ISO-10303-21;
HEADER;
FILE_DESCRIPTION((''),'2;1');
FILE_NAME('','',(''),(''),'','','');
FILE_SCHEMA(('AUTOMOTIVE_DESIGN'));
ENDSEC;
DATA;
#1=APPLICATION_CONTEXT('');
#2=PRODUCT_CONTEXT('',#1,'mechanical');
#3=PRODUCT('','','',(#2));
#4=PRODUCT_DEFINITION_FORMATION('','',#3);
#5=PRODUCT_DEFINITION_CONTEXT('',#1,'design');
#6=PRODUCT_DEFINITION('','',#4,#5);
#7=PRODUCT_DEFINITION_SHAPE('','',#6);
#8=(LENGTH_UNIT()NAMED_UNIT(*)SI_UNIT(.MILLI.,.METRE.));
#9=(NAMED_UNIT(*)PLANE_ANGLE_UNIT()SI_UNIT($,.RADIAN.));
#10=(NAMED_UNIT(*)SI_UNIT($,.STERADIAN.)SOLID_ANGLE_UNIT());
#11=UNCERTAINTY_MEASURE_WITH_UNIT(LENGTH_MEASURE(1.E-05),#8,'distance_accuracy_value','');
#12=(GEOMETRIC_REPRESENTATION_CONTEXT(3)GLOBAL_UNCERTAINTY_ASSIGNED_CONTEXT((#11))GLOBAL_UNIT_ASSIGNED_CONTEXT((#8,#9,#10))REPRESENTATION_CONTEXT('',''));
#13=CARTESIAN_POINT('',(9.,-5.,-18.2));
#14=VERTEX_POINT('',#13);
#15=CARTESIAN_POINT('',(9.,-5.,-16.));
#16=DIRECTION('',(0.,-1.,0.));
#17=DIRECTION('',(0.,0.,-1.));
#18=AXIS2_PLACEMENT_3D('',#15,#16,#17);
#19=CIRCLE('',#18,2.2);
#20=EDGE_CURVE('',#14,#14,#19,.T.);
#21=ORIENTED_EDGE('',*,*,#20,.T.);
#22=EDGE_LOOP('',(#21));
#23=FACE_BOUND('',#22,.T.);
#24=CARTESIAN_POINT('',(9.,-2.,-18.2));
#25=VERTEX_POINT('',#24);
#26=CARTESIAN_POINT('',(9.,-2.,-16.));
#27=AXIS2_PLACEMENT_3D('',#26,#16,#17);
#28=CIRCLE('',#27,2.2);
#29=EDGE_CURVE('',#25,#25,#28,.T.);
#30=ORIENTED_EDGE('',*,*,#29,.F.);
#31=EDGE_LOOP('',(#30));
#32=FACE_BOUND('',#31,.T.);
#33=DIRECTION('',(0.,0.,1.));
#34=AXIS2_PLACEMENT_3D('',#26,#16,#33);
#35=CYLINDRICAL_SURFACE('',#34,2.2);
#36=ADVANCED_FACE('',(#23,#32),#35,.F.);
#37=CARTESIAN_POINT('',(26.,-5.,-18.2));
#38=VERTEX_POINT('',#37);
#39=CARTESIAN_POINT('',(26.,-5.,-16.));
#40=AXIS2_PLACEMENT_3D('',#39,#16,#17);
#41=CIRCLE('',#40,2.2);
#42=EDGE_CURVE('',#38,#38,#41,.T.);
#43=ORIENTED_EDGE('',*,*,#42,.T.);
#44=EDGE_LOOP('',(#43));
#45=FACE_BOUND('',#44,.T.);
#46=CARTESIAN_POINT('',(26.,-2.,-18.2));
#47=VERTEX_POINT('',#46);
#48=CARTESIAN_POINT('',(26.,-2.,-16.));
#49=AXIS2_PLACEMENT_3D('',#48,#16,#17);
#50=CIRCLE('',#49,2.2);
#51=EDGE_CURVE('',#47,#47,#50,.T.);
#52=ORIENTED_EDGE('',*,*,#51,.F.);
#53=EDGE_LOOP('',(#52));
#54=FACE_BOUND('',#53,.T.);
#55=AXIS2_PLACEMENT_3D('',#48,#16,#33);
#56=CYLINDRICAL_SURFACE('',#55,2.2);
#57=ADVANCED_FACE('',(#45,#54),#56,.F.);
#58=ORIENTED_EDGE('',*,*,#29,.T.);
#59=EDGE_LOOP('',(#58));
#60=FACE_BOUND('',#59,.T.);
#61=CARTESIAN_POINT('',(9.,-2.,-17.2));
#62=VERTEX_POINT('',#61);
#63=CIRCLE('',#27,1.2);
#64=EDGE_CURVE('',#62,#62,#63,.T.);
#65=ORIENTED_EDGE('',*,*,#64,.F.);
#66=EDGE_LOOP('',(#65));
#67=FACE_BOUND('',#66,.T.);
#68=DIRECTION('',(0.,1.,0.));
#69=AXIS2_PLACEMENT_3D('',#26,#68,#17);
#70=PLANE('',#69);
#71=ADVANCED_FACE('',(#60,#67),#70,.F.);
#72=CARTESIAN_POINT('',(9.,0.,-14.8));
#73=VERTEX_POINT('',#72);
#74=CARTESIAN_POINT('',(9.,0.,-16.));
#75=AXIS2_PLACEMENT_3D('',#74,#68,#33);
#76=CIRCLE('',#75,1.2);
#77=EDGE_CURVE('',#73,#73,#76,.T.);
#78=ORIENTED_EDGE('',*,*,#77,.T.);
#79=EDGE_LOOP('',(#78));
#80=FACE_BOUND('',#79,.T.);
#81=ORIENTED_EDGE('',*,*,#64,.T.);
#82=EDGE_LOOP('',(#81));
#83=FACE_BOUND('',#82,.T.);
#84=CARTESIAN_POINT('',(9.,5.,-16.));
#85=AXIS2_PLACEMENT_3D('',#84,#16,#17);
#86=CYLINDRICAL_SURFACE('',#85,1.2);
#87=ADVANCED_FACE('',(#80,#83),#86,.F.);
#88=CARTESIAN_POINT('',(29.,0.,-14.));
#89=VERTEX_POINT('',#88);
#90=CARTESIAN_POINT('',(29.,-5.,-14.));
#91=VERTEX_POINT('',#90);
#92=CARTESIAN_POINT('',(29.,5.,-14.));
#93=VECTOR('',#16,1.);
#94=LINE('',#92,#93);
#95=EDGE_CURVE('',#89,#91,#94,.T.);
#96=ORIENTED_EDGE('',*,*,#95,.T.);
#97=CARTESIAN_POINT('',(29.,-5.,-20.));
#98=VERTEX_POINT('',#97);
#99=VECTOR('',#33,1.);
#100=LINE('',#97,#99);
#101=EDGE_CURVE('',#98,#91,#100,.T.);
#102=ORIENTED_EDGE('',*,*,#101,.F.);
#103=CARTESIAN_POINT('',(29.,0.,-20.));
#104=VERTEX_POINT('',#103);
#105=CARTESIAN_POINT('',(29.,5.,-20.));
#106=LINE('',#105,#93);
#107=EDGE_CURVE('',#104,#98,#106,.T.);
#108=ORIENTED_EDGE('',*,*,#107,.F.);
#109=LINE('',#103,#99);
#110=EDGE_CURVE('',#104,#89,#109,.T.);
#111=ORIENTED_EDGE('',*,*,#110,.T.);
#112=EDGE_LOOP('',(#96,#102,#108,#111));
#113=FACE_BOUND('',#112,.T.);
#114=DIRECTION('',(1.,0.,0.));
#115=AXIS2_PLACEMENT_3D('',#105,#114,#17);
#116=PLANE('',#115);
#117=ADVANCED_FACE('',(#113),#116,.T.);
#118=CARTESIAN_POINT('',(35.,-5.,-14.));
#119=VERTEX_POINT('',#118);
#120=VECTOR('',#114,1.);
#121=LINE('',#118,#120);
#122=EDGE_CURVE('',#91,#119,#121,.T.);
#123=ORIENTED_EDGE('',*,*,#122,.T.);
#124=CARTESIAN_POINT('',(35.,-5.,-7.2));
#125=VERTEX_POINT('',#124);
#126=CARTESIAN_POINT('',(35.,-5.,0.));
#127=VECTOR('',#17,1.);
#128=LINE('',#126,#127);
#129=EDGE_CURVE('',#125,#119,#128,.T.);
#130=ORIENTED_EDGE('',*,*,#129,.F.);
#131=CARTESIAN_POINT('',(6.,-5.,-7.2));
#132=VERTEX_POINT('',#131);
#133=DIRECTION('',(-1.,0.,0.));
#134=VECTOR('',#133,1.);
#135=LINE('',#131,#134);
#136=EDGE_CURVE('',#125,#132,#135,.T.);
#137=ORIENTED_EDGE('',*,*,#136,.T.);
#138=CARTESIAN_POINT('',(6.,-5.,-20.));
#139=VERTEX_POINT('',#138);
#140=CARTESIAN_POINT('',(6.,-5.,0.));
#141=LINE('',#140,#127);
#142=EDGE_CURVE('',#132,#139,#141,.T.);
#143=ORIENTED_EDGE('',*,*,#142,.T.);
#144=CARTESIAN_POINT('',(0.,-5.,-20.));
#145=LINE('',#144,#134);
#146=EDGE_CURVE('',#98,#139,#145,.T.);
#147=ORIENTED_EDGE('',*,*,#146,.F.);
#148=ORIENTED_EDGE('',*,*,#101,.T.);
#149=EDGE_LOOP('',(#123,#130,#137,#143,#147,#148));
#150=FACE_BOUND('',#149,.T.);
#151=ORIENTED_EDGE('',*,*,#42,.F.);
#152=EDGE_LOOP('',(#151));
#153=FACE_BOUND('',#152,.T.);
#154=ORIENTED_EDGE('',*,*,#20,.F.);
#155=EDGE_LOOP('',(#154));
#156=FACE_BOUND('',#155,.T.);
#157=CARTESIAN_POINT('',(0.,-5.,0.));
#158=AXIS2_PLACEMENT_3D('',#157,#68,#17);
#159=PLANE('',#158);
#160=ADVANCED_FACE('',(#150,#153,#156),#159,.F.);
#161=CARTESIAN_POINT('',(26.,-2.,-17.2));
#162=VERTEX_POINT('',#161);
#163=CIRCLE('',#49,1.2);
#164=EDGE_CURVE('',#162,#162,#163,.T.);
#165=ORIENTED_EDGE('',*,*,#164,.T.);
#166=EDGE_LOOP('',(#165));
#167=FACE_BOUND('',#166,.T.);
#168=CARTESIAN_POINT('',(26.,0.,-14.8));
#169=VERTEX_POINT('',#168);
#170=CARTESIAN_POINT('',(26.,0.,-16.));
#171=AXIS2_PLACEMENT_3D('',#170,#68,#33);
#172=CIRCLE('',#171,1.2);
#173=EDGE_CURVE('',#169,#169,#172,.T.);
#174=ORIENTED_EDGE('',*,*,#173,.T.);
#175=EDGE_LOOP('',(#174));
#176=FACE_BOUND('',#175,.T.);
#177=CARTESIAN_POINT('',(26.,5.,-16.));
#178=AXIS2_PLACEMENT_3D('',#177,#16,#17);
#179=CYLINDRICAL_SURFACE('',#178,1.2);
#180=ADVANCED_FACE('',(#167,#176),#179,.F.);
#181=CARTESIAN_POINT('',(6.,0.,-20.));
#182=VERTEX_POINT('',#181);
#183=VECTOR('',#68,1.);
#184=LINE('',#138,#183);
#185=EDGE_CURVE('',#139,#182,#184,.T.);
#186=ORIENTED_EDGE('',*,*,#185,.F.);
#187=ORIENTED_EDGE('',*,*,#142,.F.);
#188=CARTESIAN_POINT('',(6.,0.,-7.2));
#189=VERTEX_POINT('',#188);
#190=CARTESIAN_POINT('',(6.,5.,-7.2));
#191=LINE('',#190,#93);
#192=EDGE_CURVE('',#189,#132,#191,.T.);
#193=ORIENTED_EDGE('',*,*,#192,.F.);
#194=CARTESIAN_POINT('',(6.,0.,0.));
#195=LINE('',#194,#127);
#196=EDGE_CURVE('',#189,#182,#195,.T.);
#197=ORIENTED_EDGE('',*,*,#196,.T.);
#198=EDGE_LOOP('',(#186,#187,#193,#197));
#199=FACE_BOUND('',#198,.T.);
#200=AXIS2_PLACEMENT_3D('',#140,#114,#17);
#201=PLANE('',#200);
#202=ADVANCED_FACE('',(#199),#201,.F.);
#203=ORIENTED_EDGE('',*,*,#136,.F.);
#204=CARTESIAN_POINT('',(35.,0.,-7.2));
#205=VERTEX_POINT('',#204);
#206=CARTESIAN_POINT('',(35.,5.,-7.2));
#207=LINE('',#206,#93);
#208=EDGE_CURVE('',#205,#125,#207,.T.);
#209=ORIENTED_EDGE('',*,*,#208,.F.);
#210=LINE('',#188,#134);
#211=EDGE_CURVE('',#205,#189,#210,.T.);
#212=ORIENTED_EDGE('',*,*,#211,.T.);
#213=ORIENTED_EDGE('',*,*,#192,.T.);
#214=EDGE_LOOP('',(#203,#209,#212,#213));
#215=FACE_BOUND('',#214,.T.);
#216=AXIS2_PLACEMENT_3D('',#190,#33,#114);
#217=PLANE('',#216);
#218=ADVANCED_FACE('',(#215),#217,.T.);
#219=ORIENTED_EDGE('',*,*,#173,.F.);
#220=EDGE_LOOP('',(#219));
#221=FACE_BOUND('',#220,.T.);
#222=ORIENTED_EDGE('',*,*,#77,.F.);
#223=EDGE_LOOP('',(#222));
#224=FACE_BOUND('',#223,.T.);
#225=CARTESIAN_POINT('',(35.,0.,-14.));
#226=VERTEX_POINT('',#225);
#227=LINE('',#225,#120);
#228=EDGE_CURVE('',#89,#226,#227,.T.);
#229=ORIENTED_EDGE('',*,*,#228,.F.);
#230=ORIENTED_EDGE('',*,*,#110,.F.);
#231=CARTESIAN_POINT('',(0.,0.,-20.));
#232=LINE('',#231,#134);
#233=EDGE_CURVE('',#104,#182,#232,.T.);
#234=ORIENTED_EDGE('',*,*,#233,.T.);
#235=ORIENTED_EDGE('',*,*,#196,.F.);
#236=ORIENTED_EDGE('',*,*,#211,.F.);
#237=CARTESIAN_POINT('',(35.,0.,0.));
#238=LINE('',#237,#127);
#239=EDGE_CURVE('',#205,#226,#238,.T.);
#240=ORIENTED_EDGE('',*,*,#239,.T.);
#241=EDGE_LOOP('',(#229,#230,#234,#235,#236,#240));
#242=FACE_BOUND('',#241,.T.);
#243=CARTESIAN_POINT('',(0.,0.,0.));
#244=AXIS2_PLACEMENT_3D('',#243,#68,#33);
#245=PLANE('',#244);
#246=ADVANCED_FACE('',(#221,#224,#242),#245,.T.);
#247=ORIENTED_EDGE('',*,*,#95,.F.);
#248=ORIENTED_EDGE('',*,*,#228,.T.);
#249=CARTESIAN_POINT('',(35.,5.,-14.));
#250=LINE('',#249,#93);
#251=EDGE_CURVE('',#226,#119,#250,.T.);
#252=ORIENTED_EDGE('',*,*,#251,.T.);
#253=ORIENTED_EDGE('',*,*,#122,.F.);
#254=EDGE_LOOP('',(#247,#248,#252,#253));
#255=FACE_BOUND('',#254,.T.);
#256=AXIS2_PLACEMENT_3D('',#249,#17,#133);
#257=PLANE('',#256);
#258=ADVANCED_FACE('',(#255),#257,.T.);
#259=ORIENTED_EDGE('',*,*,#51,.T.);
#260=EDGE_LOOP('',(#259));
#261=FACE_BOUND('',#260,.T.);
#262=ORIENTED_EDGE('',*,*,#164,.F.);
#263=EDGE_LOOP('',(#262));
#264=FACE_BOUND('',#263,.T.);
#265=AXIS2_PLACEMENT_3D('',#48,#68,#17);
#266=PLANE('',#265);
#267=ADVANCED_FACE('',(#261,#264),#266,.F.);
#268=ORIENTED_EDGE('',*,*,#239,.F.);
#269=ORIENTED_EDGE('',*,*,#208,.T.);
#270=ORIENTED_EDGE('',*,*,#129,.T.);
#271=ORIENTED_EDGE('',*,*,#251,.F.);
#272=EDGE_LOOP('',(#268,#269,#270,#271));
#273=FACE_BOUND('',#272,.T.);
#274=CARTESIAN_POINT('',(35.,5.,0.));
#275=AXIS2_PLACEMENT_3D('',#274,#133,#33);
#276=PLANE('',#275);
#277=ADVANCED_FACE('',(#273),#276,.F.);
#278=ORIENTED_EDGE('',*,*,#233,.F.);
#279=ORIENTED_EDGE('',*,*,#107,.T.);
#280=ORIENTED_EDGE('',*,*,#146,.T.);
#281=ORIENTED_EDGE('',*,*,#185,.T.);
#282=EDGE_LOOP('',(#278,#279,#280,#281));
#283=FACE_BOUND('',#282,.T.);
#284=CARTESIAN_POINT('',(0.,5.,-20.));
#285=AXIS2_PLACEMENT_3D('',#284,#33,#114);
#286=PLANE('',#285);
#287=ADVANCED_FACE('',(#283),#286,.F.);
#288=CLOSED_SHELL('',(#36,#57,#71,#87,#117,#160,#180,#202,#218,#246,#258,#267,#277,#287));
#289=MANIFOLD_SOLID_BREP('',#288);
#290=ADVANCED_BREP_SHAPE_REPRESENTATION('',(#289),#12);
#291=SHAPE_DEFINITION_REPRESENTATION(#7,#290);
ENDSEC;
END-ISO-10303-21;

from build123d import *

# Parameters (mm, degrees)
SKETCH_1_W           = 35
SKETCH_1_H           = 20
EXTRUDE_1_DEPTH      = 5
SKETCH_3_W           = 29
SKETCH_3_H           = 7.2
CUT_EXTRUDE_4_DEPTH  = 5
SKETCH_4_W           = 6
SKETCH_4_H           = 6
CUT_EXTRUDE_5_DEPTH  = 5
SKETCH_5_R           = 1.2
CUT_EXTRUDE_6_DEPTH  = 41.620192023
SKETCH_6_R           = 2.2
CUT_EXTRUDE_7_DEPTH  = 2
CUT_EXTRUDE_START    = 5
SKETCH_7_R           = 2.2
CUT_EXTRUDE_8_DEPTH  = 3
SKETCH_8_W           = 40.267995894
SKETCH_8_H           = 24.754572762
CUT_EXTRUDE_9_DEPTH  = 41.620192023
SKETCH_11_W          = 6
SKETCH_11_H          = 20
CUT_EXTRUDE_11_DEPTH = 41.620192023


with BuildPart() as part:
    # 草圖1 → 填料-伸長1 (new body)
    with BuildSketch(Plane(origin=(0, 0, 0), x_dir=(1, 0, 0), z_dir=(0, 1, 0))):
        with Locations((17.5, 10)):
            Rectangle(SKETCH_1_W, SKETCH_1_H)
    extrude_1 = extrude(amount=EXTRUDE_1_DEPTH)

    # 草圖3 → 除料-伸長4 (cut)
    with BuildSketch(Plane(origin=(0, 0, 0), x_dir=(1, 0, 0), z_dir=(0, 1, 0))):
        with Locations((20.5, 3.6)):
            Rectangle(SKETCH_3_W, SKETCH_3_H)
    cut_extrude_4 = extrude(amount=CUT_EXTRUDE_4_DEPTH, mode=Mode.SUBTRACT)

    # 草圖4 → 除料-伸長5 (cut)
    with BuildSketch(Plane(origin=(0, 0, 0), x_dir=(1, 0, 0), z_dir=(0, 1, 0))):
        with Locations((32, 17)):
            Rectangle(SKETCH_4_W, SKETCH_4_H)
    cut_extrude_5 = extrude(amount=CUT_EXTRUDE_5_DEPTH, mode=Mode.SUBTRACT)

    # 草圖5 → 除料-伸長6 (cut, through all)
    with BuildSketch(Plane(origin=(0, 0, 0), x_dir=(1, 0, 0), z_dir=(0, 1, 0))):
        with Locations(Location((3, 16, 0), (0, 0, 270))):
            Circle(SKETCH_5_R)
        with Locations(Location((3, 4, 0), (0, 0, 270))):
            Circle(SKETCH_5_R)
        with Locations(Location((9, 16, 0), (0, 0, 270))):
            Circle(SKETCH_5_R)
        with Locations(Location((26, 16, 0), (0, 0, 270))):
            Circle(SKETCH_5_R)
    cut_extrude_6 = extrude(amount=CUT_EXTRUDE_6_DEPTH, mode=Mode.SUBTRACT)

    # 草圖6 → 除料-伸長7 (cut)
    with BuildSketch(Plane(origin=(0, 0, 0), x_dir=(1, 0, 0), z_dir=(0, 1, 0))):
        with Locations(Location((3, 16, 0), (0, 0, 270))):
            Circle(SKETCH_6_R)
        with Locations(Location((3, 4, 0), (0, 0, 270))):
            Circle(SKETCH_6_R)
    cut_extrude_7 = extrude(amount=CUT_EXTRUDE_7_DEPTH, mode=Mode.SUBTRACT)

    # 草圖7 → 除料-伸長8 (cut)
    with BuildSketch(Plane(origin=(0, 0, 0), x_dir=(1, 0, 0), z_dir=(0, 1, 0)).offset(CUT_EXTRUDE_START)):
        with Locations(Location((9, 16, 0), (0, 0, 90))):
            Circle(SKETCH_7_R)
        with Locations(Location((26, 16, 0), (0, 0, 90))):
            Circle(SKETCH_7_R)
    cut_extrude_8 = extrude(amount=-CUT_EXTRUDE_8_DEPTH, mode=Mode.SUBTRACT)

    # 鏡射1: 填料-伸長1, 除料-伸長4, 除料-伸長5, 除料-伸長6, 除料-伸長7, 除料-伸長8 across plane
    add(extrude_1.mirror(Plane.ZX))
    add(cut_extrude_4.mirror(Plane.ZX), mode=Mode.SUBTRACT)
    add(cut_extrude_5.mirror(Plane.ZX), mode=Mode.SUBTRACT)
    add(cut_extrude_6.mirror(Plane.ZX), mode=Mode.SUBTRACT)
    add(cut_extrude_7.mirror(Plane.ZX), mode=Mode.SUBTRACT)
    add(cut_extrude_8.mirror(Plane.ZX), mode=Mode.SUBTRACT)

    # 草圖8 → 除料-伸長9 (cut, through all)
    with BuildSketch(Plane(origin=(0, 0, 0), x_dir=(1, 0, 0), z_dir=(0, 1, 0))):
        with Locations((18.825302285, 8.624835494)):
            Rectangle(SKETCH_8_W, SKETCH_8_H)
    extrude(amount=CUT_EXTRUDE_9_DEPTH, mode=Mode.SUBTRACT)

    # 草圖11 → 除料-伸長11 (cut, through all)
    with BuildSketch(Plane(origin=(0, 0, 0), x_dir=(1, 0, 0), z_dir=(0, 1, 0))):
        with Locations((3, 10)):
            Rectangle(SKETCH_11_W, SKETCH_11_H)
    extrude(amount=-CUT_EXTRUDE_11_DEPTH, mode=Mode.SUBTRACT)


solid = part.part
